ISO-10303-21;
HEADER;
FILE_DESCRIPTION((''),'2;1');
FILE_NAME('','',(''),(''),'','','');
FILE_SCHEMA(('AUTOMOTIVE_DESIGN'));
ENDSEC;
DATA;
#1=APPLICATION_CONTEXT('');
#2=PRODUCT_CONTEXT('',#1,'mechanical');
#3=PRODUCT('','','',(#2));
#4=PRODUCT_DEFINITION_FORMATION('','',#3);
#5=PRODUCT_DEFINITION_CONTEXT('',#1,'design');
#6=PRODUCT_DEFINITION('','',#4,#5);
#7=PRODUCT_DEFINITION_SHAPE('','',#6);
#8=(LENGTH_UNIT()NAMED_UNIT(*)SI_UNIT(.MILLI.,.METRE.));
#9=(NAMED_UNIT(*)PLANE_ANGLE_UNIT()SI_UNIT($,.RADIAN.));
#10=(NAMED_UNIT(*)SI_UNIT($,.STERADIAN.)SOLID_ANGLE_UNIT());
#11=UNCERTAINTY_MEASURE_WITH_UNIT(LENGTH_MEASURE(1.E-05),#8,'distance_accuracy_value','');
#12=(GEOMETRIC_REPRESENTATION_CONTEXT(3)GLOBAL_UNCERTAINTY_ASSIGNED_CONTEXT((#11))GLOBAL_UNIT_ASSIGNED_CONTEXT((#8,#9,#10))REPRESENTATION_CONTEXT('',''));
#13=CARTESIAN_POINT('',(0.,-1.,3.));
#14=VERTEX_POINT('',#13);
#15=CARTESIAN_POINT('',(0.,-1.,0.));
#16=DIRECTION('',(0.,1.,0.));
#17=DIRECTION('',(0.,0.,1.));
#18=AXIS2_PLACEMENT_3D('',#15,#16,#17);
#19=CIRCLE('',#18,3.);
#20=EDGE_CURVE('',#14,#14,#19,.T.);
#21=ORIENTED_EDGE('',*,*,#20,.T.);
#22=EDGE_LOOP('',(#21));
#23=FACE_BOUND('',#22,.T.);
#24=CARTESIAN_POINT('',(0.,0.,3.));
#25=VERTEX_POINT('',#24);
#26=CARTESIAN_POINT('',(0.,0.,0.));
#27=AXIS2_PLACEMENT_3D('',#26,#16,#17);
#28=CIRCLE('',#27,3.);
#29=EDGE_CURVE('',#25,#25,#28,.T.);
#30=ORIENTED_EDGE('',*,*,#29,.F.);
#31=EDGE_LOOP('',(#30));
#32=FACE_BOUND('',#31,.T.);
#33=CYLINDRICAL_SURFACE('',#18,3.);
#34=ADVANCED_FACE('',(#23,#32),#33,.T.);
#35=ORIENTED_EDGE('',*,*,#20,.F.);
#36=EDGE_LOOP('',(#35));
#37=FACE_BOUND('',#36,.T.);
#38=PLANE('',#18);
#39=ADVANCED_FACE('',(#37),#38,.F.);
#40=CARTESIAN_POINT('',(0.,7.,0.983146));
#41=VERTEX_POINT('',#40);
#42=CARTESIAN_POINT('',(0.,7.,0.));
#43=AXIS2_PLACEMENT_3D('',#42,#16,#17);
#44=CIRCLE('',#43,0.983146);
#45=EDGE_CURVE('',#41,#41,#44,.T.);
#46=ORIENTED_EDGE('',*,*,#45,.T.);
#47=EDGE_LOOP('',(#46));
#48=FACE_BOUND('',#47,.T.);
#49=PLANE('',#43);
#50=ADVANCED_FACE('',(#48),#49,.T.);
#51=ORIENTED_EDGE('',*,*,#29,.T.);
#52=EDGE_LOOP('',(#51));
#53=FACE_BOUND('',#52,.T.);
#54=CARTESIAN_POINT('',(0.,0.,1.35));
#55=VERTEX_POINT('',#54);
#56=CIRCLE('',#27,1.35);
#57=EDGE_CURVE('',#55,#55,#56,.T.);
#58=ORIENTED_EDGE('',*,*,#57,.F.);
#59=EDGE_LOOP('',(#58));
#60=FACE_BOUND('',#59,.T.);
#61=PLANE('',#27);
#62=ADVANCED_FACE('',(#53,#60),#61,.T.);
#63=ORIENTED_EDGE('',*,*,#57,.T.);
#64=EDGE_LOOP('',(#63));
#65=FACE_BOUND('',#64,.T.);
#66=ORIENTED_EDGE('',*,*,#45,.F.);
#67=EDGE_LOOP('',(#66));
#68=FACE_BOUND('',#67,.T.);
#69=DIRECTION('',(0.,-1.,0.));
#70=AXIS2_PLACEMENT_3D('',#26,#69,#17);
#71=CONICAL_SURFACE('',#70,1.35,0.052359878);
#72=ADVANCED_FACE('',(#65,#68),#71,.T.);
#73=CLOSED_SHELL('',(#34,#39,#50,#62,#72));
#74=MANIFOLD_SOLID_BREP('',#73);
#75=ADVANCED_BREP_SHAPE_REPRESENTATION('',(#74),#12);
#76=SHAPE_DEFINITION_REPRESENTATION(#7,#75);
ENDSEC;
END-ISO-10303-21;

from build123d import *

# Parameters (mm, degrees)
ESQUISSE7_R        = 1.35
BOSS_EXTRU_5_DEPTH = 7
BOSS_EXTRU_5_TAPER = 3
ESQUISSE7_7_R      = 3
BOSS_EXTRU_6_DEPTH = 1


with BuildPart() as part:
    # Esquisse7 → Boss.-Extru.5 (new body)
    with BuildSketch(Plane(origin=(0, 0, 0), x_dir=(1, 0, 0), z_dir=(0, 1, 0))):
        Circle(ESQUISSE7_R)
    extrude(amount=BOSS_EXTRU_5_DEPTH, taper=BOSS_EXTRU_5_TAPER)

    # Esquisse7<7> → Boss.-Extru.6 (add)
    with BuildSketch(Plane(origin=(0, 0, 0), x_dir=(1, 0, 0), z_dir=(0, 1, 0))):
        Circle(ESQUISSE7_7_R)
    extrude(amount=-BOSS_EXTRU_6_DEPTH)


solid = part.part
